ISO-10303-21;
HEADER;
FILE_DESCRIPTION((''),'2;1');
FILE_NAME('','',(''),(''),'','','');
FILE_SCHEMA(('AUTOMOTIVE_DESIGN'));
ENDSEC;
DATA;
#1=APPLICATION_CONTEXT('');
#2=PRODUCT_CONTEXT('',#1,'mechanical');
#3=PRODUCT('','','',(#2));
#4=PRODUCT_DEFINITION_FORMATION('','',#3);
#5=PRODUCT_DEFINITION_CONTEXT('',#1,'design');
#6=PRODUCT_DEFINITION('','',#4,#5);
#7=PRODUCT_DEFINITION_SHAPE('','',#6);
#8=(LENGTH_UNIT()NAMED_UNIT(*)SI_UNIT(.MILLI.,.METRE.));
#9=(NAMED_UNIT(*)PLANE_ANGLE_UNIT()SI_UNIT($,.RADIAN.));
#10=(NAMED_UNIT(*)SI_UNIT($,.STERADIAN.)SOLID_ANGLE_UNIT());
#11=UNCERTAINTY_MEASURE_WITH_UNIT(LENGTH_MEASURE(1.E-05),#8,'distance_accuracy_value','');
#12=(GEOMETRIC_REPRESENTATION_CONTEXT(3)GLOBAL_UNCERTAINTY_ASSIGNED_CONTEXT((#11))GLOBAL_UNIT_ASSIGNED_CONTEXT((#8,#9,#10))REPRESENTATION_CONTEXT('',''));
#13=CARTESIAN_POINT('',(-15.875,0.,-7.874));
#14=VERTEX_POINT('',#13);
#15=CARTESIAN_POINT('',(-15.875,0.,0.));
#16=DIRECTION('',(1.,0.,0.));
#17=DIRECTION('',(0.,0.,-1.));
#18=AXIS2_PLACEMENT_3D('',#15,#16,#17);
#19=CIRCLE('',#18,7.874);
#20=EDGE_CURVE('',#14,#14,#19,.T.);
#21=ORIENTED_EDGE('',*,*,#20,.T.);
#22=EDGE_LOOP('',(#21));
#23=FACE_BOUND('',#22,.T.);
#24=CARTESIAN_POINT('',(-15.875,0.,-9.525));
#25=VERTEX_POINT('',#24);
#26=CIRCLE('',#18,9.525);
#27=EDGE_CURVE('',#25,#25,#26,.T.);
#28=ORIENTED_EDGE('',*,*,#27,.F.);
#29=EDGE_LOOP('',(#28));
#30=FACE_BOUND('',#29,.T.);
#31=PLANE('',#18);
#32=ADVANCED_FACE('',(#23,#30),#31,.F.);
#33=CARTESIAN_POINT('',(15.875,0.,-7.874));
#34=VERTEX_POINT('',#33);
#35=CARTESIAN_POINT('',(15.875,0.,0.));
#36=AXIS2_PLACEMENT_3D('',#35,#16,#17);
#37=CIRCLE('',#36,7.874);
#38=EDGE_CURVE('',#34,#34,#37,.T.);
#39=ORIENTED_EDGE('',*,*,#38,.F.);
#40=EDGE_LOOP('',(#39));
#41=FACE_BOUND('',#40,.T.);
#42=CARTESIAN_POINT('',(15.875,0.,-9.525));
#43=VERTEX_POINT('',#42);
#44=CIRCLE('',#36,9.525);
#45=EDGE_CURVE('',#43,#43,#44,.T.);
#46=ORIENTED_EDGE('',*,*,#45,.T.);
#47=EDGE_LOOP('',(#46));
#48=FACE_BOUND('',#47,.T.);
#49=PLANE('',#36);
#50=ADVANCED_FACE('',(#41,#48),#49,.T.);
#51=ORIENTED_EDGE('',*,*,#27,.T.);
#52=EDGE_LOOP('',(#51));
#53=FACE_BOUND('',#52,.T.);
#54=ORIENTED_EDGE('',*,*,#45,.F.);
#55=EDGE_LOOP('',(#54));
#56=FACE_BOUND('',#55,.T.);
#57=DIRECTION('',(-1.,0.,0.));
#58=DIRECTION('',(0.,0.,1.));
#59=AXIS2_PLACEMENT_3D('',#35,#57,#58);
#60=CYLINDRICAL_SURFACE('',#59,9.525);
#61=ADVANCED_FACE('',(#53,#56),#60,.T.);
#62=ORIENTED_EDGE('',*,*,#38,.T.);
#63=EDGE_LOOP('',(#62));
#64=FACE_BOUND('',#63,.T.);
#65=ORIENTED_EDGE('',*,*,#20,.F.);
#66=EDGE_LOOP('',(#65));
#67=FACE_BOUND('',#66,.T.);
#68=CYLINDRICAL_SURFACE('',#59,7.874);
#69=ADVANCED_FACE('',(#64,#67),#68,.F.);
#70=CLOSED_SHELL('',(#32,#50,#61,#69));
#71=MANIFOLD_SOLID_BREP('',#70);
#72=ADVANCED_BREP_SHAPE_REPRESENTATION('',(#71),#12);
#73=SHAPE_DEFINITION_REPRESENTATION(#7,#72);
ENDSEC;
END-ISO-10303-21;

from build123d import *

# Parameters (mm, degrees)
SKETCH1_R           = 9.525
SKETCH1_R_2         = 7.874
BOSS_EXTRUDE1_DEPTH = 15.875


with BuildPart() as part:
    # Sketch1 → Boss-Extrude1 (new body, symmetric)
    with BuildSketch(Plane(origin=(0, 0, 0), x_dir=(0, 0, -1), z_dir=(1, 0, 0))):
        Circle(SKETCH1_R)
        Circle(SKETCH1_R_2, mode=Mode.SUBTRACT)
    extrude(amount=BOSS_EXTRUDE1_DEPTH, both=True)


solid = part.part
